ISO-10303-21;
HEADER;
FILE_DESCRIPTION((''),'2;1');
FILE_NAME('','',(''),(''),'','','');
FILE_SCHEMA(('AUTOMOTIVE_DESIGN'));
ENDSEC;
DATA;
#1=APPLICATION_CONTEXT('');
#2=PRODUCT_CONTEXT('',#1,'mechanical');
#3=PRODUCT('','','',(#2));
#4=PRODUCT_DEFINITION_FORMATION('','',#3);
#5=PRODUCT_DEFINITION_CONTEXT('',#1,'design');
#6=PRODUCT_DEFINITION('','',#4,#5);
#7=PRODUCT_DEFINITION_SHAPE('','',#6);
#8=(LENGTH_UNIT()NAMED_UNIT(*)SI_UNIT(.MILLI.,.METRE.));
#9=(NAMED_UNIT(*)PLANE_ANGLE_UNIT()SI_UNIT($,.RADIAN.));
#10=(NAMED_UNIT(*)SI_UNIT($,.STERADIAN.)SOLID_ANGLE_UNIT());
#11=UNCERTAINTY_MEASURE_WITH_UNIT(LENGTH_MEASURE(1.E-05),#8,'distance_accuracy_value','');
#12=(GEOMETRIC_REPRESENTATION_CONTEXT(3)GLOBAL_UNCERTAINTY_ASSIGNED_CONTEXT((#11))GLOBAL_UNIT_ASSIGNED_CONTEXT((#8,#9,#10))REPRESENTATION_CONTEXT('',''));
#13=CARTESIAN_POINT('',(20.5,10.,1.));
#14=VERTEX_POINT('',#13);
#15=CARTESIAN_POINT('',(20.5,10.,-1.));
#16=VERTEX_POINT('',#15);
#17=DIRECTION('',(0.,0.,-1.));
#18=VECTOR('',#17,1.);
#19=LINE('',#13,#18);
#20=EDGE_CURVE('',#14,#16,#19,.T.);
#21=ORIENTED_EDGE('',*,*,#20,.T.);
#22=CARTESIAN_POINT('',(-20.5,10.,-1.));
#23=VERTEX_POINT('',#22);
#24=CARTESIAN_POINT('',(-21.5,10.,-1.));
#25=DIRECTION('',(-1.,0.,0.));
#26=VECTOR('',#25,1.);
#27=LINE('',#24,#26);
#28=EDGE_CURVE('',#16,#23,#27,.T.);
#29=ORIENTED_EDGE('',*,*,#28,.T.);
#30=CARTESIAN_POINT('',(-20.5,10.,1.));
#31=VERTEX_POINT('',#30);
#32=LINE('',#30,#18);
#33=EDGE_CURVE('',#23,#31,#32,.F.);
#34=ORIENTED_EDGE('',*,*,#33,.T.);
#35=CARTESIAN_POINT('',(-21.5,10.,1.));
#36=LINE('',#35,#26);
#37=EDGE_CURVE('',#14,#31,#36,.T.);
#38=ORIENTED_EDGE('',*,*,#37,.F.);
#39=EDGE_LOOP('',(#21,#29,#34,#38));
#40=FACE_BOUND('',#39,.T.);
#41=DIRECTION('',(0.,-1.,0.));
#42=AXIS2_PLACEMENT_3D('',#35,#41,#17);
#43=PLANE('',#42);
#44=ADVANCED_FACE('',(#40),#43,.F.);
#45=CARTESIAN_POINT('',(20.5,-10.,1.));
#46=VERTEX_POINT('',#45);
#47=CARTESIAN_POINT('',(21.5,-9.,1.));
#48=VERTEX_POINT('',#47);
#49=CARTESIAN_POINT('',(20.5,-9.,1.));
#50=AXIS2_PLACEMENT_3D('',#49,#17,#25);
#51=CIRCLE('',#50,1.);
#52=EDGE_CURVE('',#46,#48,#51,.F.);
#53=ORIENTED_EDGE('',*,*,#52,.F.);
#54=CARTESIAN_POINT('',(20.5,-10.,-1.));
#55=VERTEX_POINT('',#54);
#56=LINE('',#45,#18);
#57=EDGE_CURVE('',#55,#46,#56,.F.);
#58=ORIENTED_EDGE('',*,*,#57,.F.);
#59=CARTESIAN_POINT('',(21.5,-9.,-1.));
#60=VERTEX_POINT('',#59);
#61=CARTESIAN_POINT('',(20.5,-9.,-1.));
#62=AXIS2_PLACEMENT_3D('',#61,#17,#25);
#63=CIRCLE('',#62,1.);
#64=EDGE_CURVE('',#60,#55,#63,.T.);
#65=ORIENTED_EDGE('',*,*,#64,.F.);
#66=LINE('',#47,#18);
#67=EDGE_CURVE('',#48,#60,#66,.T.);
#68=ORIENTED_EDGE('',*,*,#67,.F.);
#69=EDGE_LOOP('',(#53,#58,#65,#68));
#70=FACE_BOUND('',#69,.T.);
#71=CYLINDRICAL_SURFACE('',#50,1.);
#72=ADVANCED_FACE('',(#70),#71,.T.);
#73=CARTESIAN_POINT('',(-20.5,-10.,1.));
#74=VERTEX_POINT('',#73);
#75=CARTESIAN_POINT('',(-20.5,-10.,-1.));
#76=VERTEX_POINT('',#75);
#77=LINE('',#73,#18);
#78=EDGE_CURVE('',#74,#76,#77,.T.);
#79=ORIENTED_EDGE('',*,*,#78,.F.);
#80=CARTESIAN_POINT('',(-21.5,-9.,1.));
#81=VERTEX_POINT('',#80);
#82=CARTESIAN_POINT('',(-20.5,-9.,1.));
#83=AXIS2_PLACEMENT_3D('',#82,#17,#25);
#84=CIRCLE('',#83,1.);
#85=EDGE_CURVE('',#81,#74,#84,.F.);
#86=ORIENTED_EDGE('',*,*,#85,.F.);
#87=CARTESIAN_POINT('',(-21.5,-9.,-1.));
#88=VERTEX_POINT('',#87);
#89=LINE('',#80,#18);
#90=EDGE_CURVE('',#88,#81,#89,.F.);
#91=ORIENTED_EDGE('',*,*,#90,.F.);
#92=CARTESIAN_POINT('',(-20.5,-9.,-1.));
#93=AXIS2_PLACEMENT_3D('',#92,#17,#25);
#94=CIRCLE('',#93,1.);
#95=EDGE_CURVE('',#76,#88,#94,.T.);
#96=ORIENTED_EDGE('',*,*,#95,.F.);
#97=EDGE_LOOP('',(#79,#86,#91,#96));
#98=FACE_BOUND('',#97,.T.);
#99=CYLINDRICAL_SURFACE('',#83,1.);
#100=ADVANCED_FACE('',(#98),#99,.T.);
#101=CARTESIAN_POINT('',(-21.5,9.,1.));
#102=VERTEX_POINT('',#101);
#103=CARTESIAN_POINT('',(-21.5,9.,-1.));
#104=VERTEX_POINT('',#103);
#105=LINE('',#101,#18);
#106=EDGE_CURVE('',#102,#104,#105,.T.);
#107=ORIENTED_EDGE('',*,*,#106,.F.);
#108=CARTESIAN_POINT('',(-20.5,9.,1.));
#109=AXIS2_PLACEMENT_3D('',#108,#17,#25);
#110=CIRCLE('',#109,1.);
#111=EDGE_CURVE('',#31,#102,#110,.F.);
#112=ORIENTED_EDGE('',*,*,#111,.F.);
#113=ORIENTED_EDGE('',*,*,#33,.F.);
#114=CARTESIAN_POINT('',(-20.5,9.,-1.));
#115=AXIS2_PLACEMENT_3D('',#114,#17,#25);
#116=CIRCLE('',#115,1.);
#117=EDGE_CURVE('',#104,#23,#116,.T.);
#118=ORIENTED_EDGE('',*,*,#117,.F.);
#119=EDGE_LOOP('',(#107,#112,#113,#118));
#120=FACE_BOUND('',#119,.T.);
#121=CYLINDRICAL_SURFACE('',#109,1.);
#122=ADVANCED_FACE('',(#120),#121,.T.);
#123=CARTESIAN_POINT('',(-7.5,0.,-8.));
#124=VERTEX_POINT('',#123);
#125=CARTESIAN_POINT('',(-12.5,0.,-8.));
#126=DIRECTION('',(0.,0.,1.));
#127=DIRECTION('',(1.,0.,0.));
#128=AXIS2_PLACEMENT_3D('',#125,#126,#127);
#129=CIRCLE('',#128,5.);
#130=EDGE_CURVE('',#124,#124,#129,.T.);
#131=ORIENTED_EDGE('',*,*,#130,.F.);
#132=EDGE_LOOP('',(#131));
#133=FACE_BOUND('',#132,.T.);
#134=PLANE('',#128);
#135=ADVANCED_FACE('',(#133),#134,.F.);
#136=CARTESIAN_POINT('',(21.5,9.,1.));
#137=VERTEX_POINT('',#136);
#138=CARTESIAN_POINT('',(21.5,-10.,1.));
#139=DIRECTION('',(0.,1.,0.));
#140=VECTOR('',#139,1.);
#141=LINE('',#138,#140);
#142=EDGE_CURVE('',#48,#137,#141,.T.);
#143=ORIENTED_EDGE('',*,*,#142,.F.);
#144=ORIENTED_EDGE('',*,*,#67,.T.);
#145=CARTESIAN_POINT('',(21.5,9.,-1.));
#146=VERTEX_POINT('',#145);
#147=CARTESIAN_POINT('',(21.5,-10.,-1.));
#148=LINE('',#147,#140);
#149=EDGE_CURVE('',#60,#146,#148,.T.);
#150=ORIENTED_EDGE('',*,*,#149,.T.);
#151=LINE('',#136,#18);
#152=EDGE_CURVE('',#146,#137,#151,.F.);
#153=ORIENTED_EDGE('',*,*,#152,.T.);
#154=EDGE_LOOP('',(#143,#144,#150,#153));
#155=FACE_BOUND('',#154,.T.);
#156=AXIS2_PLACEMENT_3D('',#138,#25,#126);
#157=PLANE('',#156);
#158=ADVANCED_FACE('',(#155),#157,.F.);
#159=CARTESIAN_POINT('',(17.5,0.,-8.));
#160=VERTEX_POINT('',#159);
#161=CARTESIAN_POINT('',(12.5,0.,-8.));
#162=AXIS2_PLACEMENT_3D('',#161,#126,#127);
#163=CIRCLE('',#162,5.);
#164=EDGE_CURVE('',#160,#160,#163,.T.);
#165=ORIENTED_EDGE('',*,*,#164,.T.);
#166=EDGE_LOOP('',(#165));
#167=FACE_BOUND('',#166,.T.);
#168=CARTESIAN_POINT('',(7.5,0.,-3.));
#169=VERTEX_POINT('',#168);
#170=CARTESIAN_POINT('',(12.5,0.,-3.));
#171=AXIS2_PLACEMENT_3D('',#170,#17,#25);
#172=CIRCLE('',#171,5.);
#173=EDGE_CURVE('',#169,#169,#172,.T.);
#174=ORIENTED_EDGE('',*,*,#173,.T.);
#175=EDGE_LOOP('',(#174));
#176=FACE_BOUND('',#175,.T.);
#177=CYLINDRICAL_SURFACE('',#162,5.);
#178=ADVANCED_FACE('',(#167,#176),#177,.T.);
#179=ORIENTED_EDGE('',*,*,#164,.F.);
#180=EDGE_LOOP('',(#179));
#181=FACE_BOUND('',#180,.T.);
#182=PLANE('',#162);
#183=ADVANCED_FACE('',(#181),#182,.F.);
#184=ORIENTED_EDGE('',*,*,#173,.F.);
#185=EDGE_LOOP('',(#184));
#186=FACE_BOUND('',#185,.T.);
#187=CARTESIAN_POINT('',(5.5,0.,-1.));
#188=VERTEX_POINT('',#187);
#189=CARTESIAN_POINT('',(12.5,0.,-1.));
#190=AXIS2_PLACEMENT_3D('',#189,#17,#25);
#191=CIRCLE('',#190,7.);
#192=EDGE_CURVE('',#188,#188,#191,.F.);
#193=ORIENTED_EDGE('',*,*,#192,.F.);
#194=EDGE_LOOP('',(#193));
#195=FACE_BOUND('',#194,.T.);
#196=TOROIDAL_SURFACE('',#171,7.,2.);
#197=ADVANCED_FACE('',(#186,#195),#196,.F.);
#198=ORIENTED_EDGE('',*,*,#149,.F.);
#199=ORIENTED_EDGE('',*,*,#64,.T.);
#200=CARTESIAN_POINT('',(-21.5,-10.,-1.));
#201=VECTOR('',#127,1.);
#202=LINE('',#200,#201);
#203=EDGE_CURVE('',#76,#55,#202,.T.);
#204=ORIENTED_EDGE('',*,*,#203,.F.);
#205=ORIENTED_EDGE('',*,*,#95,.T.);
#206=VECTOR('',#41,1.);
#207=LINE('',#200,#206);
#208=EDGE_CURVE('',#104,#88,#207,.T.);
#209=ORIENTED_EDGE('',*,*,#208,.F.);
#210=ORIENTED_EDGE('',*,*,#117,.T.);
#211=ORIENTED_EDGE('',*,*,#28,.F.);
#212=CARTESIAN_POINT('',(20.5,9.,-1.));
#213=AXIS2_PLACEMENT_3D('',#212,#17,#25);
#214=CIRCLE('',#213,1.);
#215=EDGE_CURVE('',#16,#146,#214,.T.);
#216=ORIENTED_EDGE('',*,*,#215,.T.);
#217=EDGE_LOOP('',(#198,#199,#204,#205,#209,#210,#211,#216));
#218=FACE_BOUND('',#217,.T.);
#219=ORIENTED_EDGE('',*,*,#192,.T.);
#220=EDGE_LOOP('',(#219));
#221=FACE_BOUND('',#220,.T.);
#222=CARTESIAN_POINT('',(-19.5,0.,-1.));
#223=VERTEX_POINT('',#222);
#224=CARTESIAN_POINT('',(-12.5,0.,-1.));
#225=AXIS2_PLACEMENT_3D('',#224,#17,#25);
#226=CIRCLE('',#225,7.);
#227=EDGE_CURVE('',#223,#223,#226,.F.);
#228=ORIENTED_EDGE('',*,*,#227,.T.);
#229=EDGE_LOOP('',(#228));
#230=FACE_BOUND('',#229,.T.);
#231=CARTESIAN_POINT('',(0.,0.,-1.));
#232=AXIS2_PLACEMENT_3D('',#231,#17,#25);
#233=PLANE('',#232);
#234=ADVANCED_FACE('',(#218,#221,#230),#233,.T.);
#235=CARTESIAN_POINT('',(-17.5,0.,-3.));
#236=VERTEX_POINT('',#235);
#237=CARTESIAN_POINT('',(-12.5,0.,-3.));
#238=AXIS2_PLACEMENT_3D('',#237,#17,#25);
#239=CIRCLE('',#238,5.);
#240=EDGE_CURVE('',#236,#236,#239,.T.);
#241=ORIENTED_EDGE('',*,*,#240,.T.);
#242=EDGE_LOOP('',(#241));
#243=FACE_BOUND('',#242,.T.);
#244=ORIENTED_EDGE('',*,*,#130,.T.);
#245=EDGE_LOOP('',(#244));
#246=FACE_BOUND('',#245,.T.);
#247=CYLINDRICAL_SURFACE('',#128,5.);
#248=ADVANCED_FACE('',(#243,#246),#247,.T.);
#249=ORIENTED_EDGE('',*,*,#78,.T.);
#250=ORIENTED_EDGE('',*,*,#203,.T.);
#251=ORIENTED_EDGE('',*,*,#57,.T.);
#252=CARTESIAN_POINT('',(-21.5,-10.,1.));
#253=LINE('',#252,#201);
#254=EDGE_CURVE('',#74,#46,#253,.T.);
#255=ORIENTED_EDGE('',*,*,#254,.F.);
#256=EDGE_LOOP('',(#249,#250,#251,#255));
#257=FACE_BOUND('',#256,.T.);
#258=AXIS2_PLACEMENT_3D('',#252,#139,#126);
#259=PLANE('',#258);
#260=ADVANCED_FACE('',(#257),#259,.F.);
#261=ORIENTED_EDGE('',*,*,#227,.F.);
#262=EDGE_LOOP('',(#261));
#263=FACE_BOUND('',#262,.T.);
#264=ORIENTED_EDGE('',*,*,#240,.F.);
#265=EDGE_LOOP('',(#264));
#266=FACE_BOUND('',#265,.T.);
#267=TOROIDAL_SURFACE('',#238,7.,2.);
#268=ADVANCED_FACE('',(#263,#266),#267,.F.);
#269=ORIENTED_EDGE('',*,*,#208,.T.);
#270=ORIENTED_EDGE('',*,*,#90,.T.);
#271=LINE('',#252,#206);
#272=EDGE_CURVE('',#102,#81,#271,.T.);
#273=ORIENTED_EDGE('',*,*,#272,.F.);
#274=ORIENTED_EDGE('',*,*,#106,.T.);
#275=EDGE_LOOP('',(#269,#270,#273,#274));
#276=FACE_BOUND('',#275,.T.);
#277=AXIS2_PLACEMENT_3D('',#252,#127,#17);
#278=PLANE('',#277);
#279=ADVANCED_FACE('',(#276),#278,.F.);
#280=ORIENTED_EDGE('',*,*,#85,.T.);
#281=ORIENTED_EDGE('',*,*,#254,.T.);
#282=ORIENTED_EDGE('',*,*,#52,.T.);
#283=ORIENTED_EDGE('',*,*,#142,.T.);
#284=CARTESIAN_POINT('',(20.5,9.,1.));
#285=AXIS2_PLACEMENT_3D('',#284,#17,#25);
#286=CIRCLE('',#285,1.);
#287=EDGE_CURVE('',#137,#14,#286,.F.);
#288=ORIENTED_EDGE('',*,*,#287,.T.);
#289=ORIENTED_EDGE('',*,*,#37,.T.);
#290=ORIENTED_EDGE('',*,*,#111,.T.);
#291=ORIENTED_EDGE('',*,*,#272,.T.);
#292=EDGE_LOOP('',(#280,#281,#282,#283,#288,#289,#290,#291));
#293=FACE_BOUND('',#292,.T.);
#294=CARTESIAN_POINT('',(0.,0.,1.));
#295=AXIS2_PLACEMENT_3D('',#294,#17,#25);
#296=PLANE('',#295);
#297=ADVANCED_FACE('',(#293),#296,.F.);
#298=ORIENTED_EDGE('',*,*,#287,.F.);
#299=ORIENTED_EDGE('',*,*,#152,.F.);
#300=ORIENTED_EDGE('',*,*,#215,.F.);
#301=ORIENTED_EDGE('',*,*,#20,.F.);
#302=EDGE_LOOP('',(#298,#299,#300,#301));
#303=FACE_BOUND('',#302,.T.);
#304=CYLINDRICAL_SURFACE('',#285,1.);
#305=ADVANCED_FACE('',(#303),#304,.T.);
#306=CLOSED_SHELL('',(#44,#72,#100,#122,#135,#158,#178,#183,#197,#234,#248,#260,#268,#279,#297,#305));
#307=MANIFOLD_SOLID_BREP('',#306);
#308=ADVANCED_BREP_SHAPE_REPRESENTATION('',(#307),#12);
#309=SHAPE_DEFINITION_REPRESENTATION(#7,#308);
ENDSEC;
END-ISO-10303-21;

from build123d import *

# Parameters (mm, degrees)
SKETCH1_W           = 43
SKETCH1_H           = 20
BOSS_EXTRUDE1_DEPTH = 1
SKETCH2_R           = 5
BOSS_EXTRUDE2_DEPTH = 7
FILLET1_R           = 2
FILLET2_R           = 1


with BuildPart() as part:
    # Sketch1 → Boss-Extrude1 (new body, symmetric)
    with BuildSketch(Plane.XY):
        Rectangle(SKETCH1_W, SKETCH1_H)
    extrude(amount=BOSS_EXTRUDE1_DEPTH, both=True)

    # Sketch2 → Boss-Extrude2 (add)
    with BuildSketch(Plane.XY.offset(-1)):
        with Locations((-12.5, 0)):
            Circle(SKETCH2_R)
        with Locations((12.5, 0)):
            Circle(SKETCH2_R)
    extrude(amount=-BOSS_EXTRUDE2_DEPTH)

    # Fillet1
    fillet1_edges = [part.edges().sort_by_distance(p)[0] for p in [
        (-17.5, 0, -1),
        (7.5, 0, -1),
    ]]
    fillet(fillet1_edges, radius=FILLET1_R)

    # Fillet2
    fillet2_edges = [part.edges().sort_by_distance(p)[0] for p in [
        (21.5, -10, 0),
        (-21.5, -10, 0),
        (-21.5, 10, 0),
        (21.5, 10, 0),
    ]]
    fillet(fillet2_edges, radius=FILLET2_R)


solid = part.part
